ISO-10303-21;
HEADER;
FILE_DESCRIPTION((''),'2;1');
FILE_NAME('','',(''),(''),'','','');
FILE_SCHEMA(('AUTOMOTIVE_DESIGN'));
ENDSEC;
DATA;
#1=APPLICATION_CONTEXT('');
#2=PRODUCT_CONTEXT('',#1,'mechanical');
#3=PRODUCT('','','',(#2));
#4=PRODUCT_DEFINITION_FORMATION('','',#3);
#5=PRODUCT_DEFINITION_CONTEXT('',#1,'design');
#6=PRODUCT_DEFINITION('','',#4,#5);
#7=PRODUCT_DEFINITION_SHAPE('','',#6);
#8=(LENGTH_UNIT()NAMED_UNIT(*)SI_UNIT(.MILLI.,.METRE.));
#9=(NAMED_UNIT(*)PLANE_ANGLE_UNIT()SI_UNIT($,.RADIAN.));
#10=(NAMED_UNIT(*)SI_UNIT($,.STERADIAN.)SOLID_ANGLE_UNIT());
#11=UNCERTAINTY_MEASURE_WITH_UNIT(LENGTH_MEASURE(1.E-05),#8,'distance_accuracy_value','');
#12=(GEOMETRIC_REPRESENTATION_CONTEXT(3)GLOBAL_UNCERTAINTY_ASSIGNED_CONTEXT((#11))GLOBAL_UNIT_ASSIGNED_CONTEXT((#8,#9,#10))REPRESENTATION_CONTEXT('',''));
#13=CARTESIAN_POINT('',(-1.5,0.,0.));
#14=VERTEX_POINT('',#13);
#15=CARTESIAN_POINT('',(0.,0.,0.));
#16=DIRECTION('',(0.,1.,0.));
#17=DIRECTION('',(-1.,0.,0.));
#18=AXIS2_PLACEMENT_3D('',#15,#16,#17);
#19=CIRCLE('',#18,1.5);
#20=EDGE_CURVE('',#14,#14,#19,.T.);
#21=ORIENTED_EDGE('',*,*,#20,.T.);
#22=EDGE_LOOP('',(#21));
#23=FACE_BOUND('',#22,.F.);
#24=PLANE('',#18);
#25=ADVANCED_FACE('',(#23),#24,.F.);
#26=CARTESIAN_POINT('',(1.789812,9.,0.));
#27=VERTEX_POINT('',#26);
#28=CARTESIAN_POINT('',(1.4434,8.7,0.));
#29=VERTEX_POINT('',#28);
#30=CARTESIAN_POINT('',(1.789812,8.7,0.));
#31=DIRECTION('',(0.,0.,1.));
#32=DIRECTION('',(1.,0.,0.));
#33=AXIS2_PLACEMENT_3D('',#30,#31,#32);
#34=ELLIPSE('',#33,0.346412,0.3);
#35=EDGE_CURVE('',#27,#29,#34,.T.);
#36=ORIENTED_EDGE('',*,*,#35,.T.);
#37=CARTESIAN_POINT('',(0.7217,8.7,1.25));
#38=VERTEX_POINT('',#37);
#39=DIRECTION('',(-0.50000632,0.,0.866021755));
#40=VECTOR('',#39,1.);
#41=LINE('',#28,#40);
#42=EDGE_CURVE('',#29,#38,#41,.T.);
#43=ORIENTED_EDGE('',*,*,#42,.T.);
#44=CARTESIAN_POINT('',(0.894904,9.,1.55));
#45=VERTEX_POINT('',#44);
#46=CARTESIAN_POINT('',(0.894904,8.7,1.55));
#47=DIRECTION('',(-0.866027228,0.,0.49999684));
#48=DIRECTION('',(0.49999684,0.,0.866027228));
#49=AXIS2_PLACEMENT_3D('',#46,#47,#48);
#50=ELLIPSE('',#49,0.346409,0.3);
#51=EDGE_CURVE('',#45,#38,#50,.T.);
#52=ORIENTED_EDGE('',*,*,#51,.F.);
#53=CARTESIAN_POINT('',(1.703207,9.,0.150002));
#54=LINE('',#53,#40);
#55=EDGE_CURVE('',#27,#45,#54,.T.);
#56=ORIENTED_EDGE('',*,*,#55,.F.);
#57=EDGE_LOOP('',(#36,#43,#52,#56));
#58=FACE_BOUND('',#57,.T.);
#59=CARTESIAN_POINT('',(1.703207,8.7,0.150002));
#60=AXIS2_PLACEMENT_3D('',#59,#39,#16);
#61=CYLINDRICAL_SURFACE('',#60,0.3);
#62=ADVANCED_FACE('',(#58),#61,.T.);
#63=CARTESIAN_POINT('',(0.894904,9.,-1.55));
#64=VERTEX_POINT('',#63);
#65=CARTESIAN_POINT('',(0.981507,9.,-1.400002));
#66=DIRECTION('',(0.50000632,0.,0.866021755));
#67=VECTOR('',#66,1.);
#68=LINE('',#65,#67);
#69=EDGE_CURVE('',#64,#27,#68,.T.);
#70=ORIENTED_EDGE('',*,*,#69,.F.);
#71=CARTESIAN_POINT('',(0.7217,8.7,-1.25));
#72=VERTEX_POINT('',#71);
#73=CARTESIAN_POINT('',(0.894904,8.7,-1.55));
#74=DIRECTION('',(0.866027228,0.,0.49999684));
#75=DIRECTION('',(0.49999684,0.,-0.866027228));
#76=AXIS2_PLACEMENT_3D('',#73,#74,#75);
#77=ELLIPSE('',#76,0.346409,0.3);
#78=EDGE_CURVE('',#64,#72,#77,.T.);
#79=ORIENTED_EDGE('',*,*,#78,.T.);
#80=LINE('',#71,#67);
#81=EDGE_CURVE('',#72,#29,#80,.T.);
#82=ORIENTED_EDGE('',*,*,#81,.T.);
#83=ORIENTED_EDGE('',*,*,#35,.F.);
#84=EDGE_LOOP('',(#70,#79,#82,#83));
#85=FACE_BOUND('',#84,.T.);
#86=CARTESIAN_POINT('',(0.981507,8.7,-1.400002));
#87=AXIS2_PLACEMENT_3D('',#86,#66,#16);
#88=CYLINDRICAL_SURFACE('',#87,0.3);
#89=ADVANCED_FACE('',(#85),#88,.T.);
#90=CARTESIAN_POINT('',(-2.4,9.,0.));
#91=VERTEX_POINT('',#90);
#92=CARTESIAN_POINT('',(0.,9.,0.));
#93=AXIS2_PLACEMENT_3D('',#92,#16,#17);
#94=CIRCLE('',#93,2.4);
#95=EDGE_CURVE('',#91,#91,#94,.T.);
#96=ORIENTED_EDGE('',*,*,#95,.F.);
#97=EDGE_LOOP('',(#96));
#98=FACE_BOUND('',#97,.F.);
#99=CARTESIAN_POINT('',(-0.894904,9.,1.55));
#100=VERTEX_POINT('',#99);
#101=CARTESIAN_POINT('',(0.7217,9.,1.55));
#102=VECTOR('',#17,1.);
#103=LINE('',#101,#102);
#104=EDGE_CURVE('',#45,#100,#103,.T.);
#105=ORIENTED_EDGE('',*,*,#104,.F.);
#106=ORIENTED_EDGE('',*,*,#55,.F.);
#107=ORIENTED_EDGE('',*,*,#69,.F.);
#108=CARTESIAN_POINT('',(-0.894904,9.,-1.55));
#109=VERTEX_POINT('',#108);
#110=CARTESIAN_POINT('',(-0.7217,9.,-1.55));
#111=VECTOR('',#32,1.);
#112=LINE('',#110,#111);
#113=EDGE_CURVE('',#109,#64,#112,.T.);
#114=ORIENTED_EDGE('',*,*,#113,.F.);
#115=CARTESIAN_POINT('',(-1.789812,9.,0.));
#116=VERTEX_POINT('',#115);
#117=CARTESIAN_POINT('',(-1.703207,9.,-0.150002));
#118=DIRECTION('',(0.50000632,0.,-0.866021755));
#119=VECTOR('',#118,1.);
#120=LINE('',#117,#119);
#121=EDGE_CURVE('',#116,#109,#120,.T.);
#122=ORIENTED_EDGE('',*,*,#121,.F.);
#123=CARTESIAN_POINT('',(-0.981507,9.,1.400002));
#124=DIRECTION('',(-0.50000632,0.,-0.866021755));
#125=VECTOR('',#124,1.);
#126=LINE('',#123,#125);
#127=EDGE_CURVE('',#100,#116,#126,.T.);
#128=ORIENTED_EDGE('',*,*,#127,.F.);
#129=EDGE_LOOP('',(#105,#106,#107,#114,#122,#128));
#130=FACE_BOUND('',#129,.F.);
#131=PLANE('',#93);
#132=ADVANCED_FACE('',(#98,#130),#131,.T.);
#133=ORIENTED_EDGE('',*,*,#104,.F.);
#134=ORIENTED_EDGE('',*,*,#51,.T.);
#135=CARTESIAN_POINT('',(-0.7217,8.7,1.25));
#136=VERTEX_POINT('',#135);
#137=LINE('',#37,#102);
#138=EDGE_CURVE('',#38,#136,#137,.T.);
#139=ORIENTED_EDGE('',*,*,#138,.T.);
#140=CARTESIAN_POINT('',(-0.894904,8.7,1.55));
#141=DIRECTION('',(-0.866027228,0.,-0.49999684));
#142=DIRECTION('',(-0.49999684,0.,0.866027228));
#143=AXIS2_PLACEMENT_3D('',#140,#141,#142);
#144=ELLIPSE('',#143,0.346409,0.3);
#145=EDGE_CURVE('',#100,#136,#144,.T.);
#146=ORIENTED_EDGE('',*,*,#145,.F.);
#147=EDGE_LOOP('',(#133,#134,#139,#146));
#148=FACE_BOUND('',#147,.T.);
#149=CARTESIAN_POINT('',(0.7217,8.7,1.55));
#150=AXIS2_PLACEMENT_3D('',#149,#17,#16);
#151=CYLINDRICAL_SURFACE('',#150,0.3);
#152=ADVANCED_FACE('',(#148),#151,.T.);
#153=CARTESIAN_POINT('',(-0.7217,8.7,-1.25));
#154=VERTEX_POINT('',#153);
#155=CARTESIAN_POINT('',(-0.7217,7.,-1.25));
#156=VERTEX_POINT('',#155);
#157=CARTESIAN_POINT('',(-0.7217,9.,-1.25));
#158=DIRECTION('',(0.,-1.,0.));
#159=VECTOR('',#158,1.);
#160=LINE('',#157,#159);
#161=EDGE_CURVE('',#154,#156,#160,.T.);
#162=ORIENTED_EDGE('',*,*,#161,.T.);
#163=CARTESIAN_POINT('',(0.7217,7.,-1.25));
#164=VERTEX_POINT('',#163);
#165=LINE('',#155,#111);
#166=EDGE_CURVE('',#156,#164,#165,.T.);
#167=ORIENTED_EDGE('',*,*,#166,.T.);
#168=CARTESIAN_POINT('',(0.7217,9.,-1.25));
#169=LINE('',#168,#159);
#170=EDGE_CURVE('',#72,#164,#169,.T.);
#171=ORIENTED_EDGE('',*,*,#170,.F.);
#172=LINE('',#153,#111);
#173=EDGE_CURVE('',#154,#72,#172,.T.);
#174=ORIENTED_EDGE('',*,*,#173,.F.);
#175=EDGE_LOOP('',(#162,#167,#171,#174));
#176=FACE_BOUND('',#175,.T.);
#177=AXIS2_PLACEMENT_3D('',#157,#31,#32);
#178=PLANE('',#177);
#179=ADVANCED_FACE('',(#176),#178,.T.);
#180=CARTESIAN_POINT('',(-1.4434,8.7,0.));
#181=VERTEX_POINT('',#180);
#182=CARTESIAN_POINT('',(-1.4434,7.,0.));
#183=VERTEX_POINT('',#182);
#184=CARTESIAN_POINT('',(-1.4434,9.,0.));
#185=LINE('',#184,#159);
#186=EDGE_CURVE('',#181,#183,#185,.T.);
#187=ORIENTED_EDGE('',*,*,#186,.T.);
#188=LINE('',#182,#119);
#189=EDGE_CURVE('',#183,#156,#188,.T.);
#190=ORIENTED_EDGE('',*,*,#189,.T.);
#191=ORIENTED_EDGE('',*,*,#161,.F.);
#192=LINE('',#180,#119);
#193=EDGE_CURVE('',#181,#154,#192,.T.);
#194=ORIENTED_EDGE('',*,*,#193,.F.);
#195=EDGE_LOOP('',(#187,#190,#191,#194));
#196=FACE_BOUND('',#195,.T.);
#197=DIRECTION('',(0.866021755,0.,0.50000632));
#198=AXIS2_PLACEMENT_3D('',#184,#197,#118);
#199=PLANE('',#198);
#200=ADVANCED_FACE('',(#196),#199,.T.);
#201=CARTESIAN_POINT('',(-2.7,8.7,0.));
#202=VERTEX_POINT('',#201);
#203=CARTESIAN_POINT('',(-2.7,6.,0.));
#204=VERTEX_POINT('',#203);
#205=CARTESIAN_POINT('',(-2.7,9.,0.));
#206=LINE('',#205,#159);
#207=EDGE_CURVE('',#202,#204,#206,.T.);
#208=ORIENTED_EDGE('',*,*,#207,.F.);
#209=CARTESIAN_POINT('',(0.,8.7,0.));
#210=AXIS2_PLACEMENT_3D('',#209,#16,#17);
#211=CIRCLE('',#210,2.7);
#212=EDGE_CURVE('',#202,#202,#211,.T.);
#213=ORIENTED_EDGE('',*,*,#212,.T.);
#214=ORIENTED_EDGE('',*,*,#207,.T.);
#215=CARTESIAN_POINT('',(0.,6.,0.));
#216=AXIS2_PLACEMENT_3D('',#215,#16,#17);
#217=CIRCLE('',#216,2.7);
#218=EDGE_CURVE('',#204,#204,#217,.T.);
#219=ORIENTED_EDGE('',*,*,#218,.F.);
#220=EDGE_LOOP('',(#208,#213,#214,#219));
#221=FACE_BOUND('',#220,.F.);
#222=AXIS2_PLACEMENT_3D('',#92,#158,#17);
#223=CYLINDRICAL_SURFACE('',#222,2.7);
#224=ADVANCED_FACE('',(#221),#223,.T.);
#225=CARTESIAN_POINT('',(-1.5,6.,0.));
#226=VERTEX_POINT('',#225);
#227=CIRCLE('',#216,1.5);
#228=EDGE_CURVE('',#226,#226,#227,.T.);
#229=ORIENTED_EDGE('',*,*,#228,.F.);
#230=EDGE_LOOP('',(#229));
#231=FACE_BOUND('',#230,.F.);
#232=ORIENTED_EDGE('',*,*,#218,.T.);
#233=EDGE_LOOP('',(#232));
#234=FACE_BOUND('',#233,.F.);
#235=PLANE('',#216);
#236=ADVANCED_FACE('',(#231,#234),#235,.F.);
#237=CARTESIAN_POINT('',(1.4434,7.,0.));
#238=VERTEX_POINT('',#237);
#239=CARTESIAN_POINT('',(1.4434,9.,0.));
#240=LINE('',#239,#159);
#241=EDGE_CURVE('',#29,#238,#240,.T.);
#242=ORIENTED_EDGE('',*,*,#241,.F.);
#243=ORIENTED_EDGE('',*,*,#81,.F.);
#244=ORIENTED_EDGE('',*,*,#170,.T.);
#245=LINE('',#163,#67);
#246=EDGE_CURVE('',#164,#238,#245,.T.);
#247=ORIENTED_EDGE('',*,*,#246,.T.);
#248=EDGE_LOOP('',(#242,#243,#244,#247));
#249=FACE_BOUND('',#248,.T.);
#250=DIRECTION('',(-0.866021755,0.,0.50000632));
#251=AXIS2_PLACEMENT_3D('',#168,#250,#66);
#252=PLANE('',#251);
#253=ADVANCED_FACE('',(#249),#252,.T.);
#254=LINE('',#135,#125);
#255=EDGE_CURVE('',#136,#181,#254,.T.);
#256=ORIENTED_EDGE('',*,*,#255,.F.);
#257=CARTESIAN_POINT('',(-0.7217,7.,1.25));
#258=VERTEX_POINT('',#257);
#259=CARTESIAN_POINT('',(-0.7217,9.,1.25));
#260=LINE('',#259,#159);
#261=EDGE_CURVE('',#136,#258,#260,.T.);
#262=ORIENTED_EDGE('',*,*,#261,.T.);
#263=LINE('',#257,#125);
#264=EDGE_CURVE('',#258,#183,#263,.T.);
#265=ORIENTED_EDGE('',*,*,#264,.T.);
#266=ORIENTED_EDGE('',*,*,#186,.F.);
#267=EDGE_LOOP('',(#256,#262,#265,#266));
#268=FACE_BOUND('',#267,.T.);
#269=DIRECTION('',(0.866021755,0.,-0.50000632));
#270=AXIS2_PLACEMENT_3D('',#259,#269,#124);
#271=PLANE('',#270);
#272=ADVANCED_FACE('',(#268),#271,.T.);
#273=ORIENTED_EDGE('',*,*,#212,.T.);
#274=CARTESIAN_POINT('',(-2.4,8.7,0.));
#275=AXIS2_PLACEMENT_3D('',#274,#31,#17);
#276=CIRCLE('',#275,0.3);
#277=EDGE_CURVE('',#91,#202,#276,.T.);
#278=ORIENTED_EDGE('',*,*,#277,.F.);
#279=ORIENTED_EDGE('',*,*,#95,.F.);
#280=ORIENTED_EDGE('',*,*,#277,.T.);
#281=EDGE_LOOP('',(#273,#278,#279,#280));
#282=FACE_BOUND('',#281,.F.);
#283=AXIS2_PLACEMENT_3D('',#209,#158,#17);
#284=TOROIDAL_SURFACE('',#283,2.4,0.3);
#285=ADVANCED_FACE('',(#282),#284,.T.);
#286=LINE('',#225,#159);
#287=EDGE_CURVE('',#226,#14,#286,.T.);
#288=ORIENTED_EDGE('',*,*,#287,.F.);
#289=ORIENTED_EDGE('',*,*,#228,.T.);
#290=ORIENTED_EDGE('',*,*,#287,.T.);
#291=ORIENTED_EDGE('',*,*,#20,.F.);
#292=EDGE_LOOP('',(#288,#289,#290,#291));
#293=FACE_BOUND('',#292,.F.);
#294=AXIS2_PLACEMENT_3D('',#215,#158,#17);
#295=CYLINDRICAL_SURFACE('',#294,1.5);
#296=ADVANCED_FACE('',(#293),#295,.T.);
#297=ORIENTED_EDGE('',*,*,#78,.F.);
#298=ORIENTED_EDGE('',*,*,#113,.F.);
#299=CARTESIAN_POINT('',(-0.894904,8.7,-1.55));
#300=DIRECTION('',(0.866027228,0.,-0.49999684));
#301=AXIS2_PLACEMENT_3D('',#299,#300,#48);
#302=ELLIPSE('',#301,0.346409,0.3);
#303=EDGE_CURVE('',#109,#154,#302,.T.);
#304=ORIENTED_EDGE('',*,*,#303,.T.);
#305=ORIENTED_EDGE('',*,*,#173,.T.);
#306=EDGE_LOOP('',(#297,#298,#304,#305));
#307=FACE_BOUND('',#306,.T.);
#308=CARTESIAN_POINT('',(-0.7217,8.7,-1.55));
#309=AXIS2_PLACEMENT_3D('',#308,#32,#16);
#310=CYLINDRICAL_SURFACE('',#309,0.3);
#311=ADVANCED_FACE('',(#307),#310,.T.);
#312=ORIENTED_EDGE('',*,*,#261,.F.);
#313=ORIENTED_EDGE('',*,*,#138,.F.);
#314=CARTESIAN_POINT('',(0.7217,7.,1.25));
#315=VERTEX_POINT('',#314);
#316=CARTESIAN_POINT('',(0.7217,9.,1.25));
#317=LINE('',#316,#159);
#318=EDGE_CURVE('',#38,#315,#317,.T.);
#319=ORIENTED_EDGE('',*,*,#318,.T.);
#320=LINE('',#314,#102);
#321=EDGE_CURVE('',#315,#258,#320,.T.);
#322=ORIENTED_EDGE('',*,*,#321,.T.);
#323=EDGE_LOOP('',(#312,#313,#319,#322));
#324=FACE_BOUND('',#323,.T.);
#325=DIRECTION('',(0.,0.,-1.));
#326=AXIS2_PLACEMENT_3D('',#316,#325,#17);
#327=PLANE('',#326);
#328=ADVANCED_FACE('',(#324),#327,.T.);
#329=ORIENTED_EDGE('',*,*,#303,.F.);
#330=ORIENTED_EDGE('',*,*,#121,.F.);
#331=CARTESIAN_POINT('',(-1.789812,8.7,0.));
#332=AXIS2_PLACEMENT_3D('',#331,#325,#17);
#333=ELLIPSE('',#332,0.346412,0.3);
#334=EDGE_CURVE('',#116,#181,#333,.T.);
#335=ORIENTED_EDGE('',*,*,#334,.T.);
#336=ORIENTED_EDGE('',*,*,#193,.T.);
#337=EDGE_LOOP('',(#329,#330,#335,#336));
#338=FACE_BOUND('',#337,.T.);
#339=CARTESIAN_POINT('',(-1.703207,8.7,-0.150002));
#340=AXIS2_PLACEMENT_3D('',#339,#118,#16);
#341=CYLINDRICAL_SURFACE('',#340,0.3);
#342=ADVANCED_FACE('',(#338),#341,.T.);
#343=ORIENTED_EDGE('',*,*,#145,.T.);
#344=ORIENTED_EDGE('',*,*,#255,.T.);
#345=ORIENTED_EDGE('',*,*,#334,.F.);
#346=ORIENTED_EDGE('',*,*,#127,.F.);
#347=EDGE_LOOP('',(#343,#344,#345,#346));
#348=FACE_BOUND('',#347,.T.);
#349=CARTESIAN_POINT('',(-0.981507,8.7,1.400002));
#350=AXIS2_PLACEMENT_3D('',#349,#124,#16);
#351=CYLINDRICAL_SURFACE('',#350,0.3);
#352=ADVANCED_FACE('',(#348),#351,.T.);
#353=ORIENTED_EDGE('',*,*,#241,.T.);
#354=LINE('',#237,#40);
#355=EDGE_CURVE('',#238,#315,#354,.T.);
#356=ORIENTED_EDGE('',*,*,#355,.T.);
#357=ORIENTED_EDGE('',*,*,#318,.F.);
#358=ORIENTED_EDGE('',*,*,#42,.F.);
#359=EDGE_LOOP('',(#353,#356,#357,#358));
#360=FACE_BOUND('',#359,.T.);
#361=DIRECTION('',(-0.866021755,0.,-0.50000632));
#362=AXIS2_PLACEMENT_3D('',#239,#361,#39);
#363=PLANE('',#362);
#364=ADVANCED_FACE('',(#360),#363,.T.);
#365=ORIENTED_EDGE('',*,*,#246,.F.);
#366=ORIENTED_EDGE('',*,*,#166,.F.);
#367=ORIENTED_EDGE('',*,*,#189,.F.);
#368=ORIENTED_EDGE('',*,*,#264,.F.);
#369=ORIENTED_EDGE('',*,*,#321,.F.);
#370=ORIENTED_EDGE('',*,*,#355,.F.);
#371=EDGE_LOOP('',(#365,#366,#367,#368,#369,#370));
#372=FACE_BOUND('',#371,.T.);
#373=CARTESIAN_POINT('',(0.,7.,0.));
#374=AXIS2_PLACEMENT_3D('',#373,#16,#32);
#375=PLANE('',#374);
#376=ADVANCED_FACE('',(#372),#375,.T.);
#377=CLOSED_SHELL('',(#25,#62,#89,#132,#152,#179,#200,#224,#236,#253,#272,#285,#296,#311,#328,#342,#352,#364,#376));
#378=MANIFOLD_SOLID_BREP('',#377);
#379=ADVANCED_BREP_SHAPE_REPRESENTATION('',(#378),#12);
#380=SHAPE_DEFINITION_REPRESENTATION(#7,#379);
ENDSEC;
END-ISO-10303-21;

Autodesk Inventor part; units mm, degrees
ref_plane "YZ Plane" through (0, 0, 0) normal (1, 0, 0) x (0, 1, 0)
ref_plane "XZ Plane" through (0, 0, 0) normal (0, 1, 0) x (-1, 0, 0)
ref_plane "XY Plane" through (0, 0, 0) normal (0, 0, 1) x (1, 0, 0)
sketch "Sketch1" plane through (0, 0, 0) normal (0, 0, 1) x (1, 0, 0)
  line L0 (0, 0) -> (0, 9)
  line L1 (0, 9) -> (-2.7, 9)
  line L2 (-2.7, 9) -> (-2.7, 6)
  line L3 (-2.7, 6) -> (-1.5, 6)
  line L4 (-1.5, 6) -> (-1.5, 0)
  line L5 (-1.5, 0) -> (0, 0)
  dimension "d0" = 6
  dimension "d1" = 3
  dimension "d2" = 1.5
  dimension "d3" = 2.7
revolve "Revolution1" add sketch "Sketch1" angle 360 about axis through (0, 0, 0) along (0, 1, 0)
sketch "Sketch2" plane through (0, 9, 0) normal (0, 1, 0) x (1, 0, 0)
  line L0 (-0.7217, -1.25) -> (-1.4434, 0)
  line L1 (-1.4434, 0) -> (-0.7217, 1.25)
  line L2 (-0.7217, 1.25) -> (0.7217, 1.25)
  line L3 (0.7217, 1.25) -> (1.4434, 0)
  line L4 (1.4434, 0) -> (0.7217, -1.25)
  line L5 (0.7217, -1.25) -> (-0.7217, -1.25)
  point P0 (0, 0)
  point P1 (0, 0)
  dimension "d5" = 2.5
extrude "Extrusion1" cut sketch "Sketch2" against normal blind 2
fillet "Fillet1" radius 0.3 6 edges at (0, 9, -1.25) (1.0825, 9, -0.625) (1.0825, 9, 0.625) (0, 9, 1.25) (-1.0825, 9, 0.625) (-1.0825, 9, -0.625)
fillet "Fillet2" radius 0.3 1 edges at (2.7, 9, 0)
thread "Thread1" size "M3x0.5" class "6g" standard "ANSI Metric M Profile" length 11.5
properties part number "Screw_M3X6_SS_HEX" material "Stainless Steel"
